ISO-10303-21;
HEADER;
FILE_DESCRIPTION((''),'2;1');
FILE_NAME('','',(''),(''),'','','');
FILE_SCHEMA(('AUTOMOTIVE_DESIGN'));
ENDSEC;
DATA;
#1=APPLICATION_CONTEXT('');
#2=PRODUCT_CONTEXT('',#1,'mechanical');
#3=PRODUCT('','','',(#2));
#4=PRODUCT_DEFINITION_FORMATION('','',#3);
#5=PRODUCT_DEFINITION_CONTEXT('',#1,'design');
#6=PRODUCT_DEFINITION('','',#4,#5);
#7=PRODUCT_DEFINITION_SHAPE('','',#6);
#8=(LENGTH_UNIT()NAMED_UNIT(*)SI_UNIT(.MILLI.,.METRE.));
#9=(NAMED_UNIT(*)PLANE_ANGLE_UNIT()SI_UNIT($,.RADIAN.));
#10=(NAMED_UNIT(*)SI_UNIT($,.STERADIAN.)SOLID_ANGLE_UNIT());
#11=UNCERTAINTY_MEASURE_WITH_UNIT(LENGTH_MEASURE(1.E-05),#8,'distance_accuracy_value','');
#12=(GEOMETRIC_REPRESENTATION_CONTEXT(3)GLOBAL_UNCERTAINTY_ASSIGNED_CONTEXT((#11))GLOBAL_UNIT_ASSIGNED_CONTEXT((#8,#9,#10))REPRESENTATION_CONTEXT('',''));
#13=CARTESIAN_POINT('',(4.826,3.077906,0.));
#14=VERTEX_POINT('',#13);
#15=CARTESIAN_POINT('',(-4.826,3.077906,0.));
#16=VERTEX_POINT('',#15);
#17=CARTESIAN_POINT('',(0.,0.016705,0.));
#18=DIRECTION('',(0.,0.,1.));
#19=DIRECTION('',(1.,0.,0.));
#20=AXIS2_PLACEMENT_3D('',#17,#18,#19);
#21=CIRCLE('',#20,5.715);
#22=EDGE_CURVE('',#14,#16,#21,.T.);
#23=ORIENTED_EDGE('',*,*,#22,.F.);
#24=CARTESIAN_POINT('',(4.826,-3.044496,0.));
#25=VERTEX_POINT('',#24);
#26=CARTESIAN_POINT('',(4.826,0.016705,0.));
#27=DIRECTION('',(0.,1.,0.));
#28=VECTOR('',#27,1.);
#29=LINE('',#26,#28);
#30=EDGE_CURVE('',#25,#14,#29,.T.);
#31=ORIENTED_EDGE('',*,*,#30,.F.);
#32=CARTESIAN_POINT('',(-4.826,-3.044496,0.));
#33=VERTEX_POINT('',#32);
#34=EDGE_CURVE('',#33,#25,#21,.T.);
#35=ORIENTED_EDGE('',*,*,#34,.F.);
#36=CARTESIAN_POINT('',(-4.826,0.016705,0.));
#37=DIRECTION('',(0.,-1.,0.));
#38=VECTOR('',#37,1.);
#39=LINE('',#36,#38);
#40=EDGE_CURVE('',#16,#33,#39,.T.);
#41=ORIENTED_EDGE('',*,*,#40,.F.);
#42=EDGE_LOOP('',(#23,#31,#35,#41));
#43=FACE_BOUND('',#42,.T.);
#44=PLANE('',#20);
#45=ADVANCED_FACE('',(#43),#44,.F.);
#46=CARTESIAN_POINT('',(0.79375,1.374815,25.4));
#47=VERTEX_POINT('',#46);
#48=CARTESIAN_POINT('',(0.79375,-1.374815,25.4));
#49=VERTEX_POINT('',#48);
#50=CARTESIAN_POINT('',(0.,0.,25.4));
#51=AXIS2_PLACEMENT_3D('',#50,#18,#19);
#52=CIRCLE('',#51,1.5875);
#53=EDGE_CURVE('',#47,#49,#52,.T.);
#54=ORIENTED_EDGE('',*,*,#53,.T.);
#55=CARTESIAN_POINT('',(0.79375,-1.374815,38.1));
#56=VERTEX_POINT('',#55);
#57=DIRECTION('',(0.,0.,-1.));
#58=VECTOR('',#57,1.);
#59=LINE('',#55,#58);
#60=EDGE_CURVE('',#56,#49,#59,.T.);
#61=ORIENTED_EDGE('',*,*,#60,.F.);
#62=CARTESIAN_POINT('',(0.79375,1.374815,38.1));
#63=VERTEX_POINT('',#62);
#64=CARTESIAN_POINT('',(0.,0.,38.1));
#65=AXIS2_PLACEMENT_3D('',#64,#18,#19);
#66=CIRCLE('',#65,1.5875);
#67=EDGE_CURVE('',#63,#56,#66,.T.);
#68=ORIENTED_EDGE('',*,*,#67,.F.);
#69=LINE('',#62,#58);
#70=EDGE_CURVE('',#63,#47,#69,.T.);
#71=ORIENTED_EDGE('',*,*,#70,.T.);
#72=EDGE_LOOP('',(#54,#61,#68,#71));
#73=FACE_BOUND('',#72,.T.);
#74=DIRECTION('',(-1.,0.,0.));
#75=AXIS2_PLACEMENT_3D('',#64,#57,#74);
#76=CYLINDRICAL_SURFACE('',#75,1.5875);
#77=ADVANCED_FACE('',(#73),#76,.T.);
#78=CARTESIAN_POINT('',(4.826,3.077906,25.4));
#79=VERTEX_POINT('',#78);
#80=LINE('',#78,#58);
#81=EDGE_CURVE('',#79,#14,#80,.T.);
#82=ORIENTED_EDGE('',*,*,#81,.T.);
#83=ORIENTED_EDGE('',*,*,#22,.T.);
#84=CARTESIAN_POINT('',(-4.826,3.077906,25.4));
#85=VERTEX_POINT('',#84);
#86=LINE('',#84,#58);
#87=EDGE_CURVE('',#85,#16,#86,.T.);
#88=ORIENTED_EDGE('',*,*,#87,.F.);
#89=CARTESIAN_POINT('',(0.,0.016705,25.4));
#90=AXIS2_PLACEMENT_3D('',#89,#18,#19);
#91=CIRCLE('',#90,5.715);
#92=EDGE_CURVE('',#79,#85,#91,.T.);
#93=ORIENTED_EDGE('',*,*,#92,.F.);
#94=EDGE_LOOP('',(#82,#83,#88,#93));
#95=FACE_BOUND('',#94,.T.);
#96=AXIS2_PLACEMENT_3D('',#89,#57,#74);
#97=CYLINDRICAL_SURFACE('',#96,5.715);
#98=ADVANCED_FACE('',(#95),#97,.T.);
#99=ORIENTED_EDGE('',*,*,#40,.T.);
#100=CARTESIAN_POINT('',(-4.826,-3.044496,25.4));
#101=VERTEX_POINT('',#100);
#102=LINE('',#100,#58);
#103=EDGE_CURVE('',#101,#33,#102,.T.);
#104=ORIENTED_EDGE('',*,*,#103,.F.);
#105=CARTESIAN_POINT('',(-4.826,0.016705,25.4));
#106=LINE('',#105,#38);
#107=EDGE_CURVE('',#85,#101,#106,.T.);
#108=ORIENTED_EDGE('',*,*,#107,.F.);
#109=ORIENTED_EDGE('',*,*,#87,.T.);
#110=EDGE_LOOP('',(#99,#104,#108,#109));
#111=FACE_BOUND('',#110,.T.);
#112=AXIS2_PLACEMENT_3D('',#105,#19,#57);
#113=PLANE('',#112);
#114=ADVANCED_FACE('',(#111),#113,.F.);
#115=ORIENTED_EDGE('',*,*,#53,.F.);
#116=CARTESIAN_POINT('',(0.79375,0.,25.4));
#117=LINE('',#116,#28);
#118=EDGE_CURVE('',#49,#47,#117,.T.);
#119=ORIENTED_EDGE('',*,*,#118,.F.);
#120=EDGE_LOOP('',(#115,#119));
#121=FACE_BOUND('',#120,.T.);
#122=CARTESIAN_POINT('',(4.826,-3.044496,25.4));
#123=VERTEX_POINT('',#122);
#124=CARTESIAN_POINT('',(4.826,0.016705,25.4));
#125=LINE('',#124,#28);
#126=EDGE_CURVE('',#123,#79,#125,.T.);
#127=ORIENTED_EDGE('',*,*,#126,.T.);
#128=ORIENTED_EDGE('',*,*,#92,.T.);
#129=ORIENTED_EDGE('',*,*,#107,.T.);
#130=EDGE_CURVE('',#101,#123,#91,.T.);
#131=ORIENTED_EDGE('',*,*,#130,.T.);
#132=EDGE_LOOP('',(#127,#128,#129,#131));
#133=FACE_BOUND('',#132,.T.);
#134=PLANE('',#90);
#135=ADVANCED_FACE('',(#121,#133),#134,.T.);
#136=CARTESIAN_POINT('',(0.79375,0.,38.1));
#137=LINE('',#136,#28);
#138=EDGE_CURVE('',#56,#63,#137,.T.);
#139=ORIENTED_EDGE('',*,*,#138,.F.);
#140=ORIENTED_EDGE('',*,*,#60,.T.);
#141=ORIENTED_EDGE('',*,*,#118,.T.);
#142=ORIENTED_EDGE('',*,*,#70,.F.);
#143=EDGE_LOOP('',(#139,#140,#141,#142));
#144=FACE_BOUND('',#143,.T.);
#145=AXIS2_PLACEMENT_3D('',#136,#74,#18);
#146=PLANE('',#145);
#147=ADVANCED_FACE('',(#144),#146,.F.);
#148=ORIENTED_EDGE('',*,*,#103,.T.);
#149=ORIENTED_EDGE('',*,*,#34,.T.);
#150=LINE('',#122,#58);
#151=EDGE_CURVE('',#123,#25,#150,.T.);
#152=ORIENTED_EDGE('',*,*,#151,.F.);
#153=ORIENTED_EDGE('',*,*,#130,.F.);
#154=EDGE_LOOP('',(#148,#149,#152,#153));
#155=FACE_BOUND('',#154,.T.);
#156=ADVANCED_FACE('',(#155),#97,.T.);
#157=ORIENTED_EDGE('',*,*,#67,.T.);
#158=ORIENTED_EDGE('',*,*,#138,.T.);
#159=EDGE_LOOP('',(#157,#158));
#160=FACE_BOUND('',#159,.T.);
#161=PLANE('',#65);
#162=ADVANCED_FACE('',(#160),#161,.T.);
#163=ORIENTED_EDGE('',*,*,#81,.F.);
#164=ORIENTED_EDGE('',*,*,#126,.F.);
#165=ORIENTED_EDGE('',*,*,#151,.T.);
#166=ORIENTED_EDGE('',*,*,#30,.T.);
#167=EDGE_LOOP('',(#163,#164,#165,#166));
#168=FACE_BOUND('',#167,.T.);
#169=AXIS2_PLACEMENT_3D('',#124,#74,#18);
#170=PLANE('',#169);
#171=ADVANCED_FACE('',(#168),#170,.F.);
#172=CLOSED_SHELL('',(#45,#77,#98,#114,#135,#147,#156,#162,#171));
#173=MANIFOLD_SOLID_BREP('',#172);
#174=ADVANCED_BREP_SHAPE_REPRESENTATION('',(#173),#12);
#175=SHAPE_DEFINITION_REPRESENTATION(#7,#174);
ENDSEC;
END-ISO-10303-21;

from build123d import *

# Parameters (mm, degrees)
BOSS_EXTRUDE1_DEPTH = 25.4
BOSS_EXTRUDE2_DEPTH = 12.7


with BuildPart() as part:
    # Sketch1 → Boss-Extrude1 (new body)
    with BuildSketch(Plane.XY):
        with BuildLine():
            Line((-4.826, 0.016704998), (-4.826, -3.044495583))
            ThreePointArc((-4.826, -3.044495583), (0, -5.698295002), (4.826, -3.044495583))
            Line((4.826, -3.044495583), (4.826, 0.016704998))
            Line((4.826, 0.016704998), (4.826, 3.07790558))
            ThreePointArc((4.826, 3.07790558), (0, 5.731704998), (-4.826, 3.07790558))
            Line((-4.826, 3.07790558), (-4.826, 0.016704998))
        make_face()
    extrude(amount=BOSS_EXTRUDE1_DEPTH)

    # Sketch2 → Boss-Extrude2 (add)
    with BuildSketch(Plane.XY.offset(25.4)):
        with BuildLine():
            Line((0.79375, 0), (0.79375, 1.374815329))
            ThreePointArc((0.79375, 1.374815329), (-1.5875, 0), (0.79375, -1.374815329))
            Line((0.79375, -1.374815329), (0.79375, 0))
        make_face()
    extrude(amount=BOSS_EXTRUDE2_DEPTH)


solid = part.part
